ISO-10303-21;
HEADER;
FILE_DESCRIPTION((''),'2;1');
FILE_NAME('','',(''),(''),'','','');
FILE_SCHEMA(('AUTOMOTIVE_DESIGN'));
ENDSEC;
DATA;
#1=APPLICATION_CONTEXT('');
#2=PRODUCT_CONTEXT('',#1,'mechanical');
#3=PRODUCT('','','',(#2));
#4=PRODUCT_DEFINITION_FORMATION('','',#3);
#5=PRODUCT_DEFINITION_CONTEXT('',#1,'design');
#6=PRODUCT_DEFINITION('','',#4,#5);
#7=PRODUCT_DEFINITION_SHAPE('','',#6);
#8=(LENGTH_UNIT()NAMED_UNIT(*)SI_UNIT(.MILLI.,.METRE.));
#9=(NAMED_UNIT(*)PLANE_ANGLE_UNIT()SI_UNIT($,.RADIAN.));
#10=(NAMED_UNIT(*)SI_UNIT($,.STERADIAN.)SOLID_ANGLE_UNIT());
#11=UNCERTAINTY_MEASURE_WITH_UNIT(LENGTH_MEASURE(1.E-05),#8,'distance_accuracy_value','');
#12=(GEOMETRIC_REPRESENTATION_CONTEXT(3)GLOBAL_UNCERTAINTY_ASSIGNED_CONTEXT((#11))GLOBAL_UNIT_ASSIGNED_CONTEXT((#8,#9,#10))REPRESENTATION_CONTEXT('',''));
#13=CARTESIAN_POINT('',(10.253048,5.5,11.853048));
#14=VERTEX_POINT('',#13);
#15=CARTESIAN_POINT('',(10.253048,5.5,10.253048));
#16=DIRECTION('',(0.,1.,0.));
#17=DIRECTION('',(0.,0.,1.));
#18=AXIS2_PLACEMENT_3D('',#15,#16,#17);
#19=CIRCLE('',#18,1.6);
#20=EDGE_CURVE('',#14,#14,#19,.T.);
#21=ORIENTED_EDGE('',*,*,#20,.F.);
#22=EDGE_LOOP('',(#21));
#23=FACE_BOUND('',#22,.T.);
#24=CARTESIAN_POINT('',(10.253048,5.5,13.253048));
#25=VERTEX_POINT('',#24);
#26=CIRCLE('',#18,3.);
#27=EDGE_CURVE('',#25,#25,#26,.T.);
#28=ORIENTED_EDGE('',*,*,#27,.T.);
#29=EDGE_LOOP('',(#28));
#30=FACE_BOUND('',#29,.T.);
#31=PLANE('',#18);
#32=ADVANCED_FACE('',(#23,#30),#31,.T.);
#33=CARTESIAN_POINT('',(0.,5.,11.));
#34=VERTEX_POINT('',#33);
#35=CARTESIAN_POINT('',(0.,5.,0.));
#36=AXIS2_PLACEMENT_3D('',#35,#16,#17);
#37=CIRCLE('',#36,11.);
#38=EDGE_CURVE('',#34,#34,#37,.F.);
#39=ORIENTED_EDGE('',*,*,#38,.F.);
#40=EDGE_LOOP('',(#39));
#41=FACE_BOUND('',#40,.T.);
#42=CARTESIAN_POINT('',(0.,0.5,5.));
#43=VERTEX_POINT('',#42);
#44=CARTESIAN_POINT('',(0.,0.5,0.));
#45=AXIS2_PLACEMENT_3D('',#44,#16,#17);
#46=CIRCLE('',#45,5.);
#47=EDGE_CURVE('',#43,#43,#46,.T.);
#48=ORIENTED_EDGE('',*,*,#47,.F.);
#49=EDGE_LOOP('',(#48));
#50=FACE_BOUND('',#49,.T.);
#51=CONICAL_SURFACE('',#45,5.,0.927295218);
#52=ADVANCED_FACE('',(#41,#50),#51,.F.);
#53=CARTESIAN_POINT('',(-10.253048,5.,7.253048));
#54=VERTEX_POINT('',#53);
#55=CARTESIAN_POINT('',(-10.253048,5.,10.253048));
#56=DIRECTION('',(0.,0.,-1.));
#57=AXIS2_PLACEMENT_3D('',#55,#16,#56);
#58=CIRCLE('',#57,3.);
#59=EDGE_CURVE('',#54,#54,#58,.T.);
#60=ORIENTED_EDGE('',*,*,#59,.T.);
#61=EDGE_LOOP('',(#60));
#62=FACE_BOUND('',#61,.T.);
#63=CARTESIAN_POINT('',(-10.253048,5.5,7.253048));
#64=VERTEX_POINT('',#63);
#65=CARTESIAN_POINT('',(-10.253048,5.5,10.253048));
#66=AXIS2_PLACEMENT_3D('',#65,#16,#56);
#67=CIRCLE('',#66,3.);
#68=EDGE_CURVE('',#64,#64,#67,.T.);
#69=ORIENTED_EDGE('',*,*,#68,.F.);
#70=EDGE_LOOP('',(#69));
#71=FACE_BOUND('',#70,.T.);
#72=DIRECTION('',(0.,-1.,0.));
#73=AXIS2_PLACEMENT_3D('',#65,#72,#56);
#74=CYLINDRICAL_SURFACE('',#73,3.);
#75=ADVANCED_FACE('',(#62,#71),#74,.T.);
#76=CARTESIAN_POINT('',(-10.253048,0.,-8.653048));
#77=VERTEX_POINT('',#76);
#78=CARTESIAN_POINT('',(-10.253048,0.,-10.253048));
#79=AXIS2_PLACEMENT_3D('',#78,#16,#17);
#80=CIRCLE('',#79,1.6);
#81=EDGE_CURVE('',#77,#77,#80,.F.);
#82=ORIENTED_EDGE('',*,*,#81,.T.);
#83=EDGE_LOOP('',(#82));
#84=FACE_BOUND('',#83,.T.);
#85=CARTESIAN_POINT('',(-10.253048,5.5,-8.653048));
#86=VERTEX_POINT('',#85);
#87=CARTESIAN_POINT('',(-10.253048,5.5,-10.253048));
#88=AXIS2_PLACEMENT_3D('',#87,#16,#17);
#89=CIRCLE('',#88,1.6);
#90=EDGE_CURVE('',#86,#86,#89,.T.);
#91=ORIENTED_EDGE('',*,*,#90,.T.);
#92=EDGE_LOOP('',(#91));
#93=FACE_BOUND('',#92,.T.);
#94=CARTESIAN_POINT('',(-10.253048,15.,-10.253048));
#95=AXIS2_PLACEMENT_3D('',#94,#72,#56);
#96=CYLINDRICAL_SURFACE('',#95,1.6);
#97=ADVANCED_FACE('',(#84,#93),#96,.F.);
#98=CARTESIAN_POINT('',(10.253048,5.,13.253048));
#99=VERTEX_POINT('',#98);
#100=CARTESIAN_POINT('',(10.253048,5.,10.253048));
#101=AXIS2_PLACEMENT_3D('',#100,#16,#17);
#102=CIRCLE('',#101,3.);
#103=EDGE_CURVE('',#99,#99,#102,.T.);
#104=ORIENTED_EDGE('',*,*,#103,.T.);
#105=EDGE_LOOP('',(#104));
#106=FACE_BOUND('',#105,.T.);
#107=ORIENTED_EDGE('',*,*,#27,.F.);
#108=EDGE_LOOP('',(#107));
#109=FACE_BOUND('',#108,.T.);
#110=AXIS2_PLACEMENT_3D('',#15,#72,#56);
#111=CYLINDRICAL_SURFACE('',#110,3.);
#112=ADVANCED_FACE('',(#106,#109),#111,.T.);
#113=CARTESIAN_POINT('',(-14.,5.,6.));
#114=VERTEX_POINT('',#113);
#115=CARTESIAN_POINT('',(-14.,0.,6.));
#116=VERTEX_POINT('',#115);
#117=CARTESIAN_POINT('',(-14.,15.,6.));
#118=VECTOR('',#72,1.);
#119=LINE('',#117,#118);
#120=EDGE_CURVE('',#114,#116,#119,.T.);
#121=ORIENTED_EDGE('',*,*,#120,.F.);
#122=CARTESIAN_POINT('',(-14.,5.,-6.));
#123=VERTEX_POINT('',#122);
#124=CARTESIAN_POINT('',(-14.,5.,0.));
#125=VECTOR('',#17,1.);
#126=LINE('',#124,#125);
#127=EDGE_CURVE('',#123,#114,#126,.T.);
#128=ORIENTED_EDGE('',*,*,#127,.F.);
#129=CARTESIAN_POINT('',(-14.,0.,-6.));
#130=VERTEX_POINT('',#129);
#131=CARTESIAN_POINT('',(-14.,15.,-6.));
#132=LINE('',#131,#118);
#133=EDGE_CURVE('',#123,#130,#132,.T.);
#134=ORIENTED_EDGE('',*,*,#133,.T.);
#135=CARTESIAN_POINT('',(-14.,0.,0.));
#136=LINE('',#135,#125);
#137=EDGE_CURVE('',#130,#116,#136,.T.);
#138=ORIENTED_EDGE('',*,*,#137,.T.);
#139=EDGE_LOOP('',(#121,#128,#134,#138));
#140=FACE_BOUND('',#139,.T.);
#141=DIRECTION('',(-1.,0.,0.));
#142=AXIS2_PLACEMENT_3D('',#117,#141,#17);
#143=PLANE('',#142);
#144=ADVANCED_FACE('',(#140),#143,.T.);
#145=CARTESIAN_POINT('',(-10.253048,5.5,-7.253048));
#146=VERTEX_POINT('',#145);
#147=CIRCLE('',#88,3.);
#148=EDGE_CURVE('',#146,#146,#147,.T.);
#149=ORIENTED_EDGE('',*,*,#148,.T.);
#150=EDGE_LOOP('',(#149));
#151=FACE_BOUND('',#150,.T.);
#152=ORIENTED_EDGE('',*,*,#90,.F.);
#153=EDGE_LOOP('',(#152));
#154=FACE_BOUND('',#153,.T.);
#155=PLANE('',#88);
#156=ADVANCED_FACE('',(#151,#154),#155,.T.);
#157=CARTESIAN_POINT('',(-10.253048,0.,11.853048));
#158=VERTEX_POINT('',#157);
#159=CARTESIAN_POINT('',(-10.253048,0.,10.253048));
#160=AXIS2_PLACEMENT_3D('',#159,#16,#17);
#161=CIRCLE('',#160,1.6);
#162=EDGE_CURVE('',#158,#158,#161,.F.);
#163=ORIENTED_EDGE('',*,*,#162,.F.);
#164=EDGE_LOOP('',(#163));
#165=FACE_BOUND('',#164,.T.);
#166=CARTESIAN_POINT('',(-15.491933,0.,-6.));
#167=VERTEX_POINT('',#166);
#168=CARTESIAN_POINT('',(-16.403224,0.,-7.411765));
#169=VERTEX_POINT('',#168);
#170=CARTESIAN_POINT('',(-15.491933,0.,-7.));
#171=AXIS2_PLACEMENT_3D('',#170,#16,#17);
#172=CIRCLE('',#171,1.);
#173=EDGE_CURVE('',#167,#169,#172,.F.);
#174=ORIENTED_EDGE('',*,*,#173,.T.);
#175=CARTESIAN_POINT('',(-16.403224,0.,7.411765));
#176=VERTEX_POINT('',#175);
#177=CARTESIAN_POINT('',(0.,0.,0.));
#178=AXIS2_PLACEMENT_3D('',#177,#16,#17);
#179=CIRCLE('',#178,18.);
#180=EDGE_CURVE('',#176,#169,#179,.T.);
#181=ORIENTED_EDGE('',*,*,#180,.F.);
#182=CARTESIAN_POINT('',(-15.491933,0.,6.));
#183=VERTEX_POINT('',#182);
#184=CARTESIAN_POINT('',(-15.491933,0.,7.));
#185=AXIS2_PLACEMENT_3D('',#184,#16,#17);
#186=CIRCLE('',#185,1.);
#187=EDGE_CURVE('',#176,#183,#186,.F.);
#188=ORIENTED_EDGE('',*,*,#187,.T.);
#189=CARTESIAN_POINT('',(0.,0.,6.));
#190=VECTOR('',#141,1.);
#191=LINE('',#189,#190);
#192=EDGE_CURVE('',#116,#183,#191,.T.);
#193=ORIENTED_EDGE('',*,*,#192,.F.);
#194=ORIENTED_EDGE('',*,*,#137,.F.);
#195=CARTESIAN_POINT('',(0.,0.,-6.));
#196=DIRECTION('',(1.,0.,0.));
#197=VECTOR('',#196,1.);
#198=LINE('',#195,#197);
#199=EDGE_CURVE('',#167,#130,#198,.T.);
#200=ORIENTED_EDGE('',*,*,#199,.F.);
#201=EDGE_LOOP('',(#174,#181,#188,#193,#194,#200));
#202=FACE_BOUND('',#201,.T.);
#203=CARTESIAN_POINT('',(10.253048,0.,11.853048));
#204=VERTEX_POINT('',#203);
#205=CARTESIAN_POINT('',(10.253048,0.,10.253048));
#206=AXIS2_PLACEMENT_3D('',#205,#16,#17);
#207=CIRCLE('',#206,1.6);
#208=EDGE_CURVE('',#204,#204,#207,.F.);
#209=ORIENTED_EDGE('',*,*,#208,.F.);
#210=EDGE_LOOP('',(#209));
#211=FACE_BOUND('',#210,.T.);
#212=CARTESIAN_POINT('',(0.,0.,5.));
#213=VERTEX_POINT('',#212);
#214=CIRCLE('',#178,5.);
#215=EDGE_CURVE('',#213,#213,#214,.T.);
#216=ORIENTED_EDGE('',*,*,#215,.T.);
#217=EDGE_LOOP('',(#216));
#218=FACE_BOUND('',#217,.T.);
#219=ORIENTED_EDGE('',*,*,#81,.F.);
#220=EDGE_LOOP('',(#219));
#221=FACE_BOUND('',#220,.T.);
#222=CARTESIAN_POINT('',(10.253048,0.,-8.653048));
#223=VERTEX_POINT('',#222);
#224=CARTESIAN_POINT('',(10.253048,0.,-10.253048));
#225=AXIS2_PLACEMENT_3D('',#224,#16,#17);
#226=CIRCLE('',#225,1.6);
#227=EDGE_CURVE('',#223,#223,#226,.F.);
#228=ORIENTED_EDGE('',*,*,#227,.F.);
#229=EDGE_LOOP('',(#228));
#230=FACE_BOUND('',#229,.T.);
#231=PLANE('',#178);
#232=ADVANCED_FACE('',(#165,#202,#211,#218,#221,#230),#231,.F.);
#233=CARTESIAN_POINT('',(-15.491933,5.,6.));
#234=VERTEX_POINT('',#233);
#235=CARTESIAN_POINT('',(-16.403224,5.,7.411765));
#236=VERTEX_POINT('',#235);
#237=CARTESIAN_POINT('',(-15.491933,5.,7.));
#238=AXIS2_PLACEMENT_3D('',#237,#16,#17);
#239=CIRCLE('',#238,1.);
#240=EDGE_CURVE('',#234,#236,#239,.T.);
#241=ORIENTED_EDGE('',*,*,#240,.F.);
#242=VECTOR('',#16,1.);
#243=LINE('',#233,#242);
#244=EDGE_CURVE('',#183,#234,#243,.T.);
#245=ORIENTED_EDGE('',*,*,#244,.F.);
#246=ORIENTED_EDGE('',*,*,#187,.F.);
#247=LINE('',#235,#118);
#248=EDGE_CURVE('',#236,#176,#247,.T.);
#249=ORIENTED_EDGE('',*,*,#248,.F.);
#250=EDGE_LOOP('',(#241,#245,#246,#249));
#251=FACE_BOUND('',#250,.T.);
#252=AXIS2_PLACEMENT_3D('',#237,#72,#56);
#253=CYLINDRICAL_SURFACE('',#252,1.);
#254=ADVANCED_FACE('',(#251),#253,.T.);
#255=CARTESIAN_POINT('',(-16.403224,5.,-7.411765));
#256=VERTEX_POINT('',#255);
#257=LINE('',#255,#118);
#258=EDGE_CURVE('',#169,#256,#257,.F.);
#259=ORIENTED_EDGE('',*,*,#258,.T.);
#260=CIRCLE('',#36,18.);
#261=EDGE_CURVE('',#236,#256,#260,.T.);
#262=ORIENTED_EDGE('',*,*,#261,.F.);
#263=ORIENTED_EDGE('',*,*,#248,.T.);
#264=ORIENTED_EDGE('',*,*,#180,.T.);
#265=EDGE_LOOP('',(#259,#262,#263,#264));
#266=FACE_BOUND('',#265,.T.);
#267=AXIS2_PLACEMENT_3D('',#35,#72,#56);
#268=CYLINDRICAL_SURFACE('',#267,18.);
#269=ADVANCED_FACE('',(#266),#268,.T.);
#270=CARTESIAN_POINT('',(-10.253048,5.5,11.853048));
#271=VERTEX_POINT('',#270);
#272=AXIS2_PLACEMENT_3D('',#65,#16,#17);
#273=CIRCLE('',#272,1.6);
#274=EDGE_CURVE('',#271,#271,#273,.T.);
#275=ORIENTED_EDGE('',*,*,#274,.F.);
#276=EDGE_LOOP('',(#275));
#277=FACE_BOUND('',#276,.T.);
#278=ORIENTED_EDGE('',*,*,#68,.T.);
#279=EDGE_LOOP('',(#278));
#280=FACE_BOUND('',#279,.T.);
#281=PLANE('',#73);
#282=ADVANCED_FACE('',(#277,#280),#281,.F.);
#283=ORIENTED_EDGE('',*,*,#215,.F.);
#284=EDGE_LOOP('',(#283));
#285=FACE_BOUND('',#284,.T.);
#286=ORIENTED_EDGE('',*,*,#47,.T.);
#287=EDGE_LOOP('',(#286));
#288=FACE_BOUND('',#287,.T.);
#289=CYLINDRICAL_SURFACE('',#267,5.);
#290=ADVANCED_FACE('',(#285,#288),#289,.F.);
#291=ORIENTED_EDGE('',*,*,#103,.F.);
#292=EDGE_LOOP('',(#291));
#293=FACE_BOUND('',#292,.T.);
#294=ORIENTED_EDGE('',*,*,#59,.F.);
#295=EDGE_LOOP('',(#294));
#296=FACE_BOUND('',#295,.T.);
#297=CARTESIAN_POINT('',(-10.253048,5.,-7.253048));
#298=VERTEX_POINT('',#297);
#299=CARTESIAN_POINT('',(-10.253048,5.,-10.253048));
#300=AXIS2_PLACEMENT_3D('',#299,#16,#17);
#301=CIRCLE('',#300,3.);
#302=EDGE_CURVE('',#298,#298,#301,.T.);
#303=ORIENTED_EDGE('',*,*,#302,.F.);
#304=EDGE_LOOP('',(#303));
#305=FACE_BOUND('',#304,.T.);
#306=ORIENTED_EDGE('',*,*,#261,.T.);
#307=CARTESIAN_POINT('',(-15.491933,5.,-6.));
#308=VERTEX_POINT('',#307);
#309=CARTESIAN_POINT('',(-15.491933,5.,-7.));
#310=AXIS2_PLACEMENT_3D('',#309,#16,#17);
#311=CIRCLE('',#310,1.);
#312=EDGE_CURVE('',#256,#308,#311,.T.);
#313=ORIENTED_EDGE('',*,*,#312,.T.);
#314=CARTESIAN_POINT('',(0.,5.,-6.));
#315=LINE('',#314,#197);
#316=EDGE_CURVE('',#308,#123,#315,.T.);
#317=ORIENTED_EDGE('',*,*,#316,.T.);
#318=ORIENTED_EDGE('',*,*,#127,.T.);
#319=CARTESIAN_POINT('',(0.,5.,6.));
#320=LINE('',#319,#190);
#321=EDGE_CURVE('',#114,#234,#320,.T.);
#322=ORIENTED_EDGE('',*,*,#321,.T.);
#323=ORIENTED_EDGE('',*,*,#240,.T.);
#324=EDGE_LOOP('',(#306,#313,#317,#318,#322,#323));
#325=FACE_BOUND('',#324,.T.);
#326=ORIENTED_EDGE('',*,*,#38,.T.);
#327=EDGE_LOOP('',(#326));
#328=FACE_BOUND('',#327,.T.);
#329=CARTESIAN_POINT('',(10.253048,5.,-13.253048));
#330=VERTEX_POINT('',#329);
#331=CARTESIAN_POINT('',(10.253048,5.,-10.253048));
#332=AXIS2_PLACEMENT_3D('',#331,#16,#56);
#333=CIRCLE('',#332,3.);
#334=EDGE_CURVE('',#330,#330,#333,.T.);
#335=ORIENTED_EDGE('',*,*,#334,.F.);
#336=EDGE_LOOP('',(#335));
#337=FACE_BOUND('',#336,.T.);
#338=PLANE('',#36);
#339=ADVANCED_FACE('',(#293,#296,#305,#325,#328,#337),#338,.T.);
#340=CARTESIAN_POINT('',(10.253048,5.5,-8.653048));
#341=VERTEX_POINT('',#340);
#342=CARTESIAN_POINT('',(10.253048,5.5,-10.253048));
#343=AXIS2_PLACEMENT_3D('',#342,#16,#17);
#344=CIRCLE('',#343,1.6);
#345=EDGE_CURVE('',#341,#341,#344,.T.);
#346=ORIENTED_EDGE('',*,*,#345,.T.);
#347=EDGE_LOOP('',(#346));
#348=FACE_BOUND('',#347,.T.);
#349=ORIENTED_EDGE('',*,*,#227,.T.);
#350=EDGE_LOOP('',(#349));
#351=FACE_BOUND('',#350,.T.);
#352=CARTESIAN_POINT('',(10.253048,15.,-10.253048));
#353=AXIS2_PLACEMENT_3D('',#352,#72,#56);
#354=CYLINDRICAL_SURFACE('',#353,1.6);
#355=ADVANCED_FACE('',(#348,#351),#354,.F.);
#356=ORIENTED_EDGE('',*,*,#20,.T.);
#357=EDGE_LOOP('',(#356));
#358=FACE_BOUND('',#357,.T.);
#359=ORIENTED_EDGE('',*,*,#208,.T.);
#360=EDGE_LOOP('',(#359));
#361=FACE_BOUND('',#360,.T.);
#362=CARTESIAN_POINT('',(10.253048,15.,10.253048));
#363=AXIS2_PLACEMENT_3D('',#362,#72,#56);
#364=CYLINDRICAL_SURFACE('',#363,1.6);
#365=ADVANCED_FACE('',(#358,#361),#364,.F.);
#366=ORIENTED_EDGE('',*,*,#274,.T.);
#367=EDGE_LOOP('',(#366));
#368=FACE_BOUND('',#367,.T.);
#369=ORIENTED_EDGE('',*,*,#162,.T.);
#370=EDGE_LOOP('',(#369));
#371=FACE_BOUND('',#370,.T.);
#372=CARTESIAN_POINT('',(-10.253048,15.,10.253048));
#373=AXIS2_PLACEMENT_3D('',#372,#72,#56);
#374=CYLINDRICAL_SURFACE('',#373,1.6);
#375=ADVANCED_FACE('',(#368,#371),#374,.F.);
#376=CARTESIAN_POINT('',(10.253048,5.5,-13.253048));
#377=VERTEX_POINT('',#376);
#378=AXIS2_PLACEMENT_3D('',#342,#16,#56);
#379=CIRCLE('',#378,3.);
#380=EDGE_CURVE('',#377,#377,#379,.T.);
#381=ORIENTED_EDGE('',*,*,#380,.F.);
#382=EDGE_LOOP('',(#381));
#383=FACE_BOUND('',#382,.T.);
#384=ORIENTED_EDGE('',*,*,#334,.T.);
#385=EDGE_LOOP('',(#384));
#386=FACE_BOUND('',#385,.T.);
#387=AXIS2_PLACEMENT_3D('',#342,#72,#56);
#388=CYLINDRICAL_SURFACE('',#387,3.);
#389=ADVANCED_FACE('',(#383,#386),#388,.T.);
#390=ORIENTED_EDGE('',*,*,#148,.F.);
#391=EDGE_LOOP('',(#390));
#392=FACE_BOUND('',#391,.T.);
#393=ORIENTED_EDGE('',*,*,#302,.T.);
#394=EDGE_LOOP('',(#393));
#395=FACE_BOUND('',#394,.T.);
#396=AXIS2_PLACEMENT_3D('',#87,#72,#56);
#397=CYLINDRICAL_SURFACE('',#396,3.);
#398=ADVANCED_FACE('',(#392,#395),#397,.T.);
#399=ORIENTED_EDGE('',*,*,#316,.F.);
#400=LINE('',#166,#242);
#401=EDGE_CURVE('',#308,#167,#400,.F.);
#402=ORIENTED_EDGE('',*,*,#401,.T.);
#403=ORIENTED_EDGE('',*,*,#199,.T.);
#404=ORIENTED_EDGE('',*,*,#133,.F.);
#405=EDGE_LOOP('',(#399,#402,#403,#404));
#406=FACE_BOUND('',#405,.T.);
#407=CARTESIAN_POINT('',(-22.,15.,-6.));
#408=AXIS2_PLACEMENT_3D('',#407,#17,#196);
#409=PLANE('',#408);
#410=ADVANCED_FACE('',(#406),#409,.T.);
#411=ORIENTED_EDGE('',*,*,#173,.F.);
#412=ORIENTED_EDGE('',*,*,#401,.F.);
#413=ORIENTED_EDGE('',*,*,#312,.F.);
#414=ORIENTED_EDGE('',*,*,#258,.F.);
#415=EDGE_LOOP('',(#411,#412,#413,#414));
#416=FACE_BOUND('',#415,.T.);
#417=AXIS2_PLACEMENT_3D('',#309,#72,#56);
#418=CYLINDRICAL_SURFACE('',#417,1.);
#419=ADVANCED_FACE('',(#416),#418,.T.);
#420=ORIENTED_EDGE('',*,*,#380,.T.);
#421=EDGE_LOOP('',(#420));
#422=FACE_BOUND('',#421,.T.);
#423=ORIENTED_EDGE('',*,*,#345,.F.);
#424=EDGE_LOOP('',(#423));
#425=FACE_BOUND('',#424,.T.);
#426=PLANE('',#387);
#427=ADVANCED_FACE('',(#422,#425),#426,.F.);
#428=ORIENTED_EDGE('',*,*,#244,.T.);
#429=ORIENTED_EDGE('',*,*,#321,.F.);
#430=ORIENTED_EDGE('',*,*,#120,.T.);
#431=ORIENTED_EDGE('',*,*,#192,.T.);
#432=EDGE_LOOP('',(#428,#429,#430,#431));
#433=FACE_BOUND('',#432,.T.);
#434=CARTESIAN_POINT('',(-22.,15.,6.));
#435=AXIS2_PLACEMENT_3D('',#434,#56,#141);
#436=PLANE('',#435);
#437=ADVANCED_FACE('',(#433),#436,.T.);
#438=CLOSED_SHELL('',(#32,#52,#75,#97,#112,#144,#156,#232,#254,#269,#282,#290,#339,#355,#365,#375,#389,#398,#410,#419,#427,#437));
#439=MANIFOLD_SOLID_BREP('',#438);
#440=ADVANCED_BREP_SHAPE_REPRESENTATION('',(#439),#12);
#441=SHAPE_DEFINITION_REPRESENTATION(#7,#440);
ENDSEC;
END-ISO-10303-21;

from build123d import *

# Parameters (mm, degrees)
SKETCH1_R            = 18
SKETCH1_R_2          = 5
BODY_DEPTH           = 5
OBJECTIVE_RING_SIZE  = 6
OBJECTIVE_RING_SIZE2 = 4.5
BOLTS_DEPTH          = 10
BOLTS_DEPTH_BACK     = 10
SKETCH6_R            = 1.6
WASH_START           = 0.5
SKETCH8_R            = 3
SKETCH8_R_2          = 1.6
WASH_DEPTH           = 0.5
SPE_DEPTH            = 10
SPE_DEPTH_BACK       = 9.5
SKETCH9_W            = 8
SKETCH9_H            = 12
SPE_FILLET_R         = 1


with BuildPart() as part:
    # Sketch1 → Body (new body)
    with BuildSketch(Plane(origin=(0, 0, 0), x_dir=(1, 0, 0), z_dir=(0, 1, 0))):
        Circle(SKETCH1_R)
        Circle(SKETCH1_R_2, mode=Mode.SUBTRACT)
    extrude(amount=BODY_DEPTH)

    # Objective_ring
    objective_ring_edges = [part.edges().sort_by_distance(p)[0] for p in [
        (-5, 5, 0),
    ]]
    objective_ring_side = [part.faces().sort_by_distance(p)[0] for p in [
        (-17.490883118, 5, 0),
    ]]
    chamfer(objective_ring_edges, length=OBJECTIVE_RING_SIZE, length2=OBJECTIVE_RING_SIZE2, reference=objective_ring_side[0])

    # Sketch6 → Bolts (cut, two sides: drawn at the far end of the back side and taken through both)
    with BuildSketch(Plane(origin=(0, 5, 0), x_dir=(1, 0, 0), z_dir=(0, 1, 0)).offset(-BOLTS_DEPTH_BACK)):
        with Locations((-10.253048327, 10.253048327)):
            Circle(SKETCH6_R)
        with Locations((-10.253048327, -10.253048327)):
            Circle(SKETCH6_R)
        with Locations((10.253048327, -10.253048327)):
            Circle(SKETCH6_R)
        with Locations((10.253048327, 10.253048327)):
            Circle(SKETCH6_R)
    extrude(amount=BOLTS_DEPTH + BOLTS_DEPTH_BACK, mode=Mode.SUBTRACT)

    # Sketch8 → Wash (add)
    # profile 1 of 4: a face of its own
    with BuildSketch(Plane(origin=(0, 5, 0), x_dir=(1, 0, 0), z_dir=(0, 1, 0)).offset(WASH_START)):
        with Locations((-10.253048327, 10.253048327)):
            Circle(SKETCH8_R)
        with Locations((-10.253048327, 10.253048327)):
            Circle(SKETCH8_R_2, mode=Mode.SUBTRACT)
    # profile 2 of 4: a face of its own
    with BuildSketch(Plane(origin=(0, 5, 0), x_dir=(1, 0, 0), z_dir=(0, 1, 0)).offset(WASH_START)):
        with Locations((10.253048327, 10.253048327)):
            Circle(SKETCH8_R)
        with Locations((10.253048327, 10.253048327)):
            Circle(SKETCH8_R_2, mode=Mode.SUBTRACT)
    # profile 3 of 4: a face of its own
    with BuildSketch(Plane(origin=(0, 5, 0), x_dir=(1, 0, 0), z_dir=(0, 1, 0)).offset(WASH_START)):
        with Locations((10.253048327, -10.253048327)):
            Circle(SKETCH8_R)
        with Locations((10.253048327, -10.253048327)):
            Circle(SKETCH8_R_2, mode=Mode.SUBTRACT)
    # profile 4 of 4: a face of its own
    with BuildSketch(Plane(origin=(0, 5, 0), x_dir=(1, 0, 0), z_dir=(0, 1, 0)).offset(WASH_START)):
        with Locations((-10.253048327, -10.253048327)):
            Circle(SKETCH8_R)
        with Locations((-10.253048327, -10.253048327)):
            Circle(SKETCH8_R_2, mode=Mode.SUBTRACT)
    extrude(amount=-WASH_DEPTH)

    # Sketch9 → SPE (cut, two sides: drawn at the far end of the back side and taken through both)
    with BuildSketch(Plane(origin=(0, 5, 0), x_dir=(1, 0, 0), z_dir=(0, 1, 0)).offset(-SPE_DEPTH_BACK)):
        with Locations((-18, 0)):
            Rectangle(SKETCH9_W, SKETCH9_H)
    extrude(amount=SPE_DEPTH + SPE_DEPTH_BACK, mode=Mode.SUBTRACT)

    # SPE_Fillet
    spe_fillet_edges = [part.edges().sort_by_distance(p)[0] for p in [
        (-16.970562748, 2.5, 6),
        (-16.970562748, 2.5, -6),
    ]]
    fillet(spe_fillet_edges, radius=SPE_FILLET_R)


solid = part.part
